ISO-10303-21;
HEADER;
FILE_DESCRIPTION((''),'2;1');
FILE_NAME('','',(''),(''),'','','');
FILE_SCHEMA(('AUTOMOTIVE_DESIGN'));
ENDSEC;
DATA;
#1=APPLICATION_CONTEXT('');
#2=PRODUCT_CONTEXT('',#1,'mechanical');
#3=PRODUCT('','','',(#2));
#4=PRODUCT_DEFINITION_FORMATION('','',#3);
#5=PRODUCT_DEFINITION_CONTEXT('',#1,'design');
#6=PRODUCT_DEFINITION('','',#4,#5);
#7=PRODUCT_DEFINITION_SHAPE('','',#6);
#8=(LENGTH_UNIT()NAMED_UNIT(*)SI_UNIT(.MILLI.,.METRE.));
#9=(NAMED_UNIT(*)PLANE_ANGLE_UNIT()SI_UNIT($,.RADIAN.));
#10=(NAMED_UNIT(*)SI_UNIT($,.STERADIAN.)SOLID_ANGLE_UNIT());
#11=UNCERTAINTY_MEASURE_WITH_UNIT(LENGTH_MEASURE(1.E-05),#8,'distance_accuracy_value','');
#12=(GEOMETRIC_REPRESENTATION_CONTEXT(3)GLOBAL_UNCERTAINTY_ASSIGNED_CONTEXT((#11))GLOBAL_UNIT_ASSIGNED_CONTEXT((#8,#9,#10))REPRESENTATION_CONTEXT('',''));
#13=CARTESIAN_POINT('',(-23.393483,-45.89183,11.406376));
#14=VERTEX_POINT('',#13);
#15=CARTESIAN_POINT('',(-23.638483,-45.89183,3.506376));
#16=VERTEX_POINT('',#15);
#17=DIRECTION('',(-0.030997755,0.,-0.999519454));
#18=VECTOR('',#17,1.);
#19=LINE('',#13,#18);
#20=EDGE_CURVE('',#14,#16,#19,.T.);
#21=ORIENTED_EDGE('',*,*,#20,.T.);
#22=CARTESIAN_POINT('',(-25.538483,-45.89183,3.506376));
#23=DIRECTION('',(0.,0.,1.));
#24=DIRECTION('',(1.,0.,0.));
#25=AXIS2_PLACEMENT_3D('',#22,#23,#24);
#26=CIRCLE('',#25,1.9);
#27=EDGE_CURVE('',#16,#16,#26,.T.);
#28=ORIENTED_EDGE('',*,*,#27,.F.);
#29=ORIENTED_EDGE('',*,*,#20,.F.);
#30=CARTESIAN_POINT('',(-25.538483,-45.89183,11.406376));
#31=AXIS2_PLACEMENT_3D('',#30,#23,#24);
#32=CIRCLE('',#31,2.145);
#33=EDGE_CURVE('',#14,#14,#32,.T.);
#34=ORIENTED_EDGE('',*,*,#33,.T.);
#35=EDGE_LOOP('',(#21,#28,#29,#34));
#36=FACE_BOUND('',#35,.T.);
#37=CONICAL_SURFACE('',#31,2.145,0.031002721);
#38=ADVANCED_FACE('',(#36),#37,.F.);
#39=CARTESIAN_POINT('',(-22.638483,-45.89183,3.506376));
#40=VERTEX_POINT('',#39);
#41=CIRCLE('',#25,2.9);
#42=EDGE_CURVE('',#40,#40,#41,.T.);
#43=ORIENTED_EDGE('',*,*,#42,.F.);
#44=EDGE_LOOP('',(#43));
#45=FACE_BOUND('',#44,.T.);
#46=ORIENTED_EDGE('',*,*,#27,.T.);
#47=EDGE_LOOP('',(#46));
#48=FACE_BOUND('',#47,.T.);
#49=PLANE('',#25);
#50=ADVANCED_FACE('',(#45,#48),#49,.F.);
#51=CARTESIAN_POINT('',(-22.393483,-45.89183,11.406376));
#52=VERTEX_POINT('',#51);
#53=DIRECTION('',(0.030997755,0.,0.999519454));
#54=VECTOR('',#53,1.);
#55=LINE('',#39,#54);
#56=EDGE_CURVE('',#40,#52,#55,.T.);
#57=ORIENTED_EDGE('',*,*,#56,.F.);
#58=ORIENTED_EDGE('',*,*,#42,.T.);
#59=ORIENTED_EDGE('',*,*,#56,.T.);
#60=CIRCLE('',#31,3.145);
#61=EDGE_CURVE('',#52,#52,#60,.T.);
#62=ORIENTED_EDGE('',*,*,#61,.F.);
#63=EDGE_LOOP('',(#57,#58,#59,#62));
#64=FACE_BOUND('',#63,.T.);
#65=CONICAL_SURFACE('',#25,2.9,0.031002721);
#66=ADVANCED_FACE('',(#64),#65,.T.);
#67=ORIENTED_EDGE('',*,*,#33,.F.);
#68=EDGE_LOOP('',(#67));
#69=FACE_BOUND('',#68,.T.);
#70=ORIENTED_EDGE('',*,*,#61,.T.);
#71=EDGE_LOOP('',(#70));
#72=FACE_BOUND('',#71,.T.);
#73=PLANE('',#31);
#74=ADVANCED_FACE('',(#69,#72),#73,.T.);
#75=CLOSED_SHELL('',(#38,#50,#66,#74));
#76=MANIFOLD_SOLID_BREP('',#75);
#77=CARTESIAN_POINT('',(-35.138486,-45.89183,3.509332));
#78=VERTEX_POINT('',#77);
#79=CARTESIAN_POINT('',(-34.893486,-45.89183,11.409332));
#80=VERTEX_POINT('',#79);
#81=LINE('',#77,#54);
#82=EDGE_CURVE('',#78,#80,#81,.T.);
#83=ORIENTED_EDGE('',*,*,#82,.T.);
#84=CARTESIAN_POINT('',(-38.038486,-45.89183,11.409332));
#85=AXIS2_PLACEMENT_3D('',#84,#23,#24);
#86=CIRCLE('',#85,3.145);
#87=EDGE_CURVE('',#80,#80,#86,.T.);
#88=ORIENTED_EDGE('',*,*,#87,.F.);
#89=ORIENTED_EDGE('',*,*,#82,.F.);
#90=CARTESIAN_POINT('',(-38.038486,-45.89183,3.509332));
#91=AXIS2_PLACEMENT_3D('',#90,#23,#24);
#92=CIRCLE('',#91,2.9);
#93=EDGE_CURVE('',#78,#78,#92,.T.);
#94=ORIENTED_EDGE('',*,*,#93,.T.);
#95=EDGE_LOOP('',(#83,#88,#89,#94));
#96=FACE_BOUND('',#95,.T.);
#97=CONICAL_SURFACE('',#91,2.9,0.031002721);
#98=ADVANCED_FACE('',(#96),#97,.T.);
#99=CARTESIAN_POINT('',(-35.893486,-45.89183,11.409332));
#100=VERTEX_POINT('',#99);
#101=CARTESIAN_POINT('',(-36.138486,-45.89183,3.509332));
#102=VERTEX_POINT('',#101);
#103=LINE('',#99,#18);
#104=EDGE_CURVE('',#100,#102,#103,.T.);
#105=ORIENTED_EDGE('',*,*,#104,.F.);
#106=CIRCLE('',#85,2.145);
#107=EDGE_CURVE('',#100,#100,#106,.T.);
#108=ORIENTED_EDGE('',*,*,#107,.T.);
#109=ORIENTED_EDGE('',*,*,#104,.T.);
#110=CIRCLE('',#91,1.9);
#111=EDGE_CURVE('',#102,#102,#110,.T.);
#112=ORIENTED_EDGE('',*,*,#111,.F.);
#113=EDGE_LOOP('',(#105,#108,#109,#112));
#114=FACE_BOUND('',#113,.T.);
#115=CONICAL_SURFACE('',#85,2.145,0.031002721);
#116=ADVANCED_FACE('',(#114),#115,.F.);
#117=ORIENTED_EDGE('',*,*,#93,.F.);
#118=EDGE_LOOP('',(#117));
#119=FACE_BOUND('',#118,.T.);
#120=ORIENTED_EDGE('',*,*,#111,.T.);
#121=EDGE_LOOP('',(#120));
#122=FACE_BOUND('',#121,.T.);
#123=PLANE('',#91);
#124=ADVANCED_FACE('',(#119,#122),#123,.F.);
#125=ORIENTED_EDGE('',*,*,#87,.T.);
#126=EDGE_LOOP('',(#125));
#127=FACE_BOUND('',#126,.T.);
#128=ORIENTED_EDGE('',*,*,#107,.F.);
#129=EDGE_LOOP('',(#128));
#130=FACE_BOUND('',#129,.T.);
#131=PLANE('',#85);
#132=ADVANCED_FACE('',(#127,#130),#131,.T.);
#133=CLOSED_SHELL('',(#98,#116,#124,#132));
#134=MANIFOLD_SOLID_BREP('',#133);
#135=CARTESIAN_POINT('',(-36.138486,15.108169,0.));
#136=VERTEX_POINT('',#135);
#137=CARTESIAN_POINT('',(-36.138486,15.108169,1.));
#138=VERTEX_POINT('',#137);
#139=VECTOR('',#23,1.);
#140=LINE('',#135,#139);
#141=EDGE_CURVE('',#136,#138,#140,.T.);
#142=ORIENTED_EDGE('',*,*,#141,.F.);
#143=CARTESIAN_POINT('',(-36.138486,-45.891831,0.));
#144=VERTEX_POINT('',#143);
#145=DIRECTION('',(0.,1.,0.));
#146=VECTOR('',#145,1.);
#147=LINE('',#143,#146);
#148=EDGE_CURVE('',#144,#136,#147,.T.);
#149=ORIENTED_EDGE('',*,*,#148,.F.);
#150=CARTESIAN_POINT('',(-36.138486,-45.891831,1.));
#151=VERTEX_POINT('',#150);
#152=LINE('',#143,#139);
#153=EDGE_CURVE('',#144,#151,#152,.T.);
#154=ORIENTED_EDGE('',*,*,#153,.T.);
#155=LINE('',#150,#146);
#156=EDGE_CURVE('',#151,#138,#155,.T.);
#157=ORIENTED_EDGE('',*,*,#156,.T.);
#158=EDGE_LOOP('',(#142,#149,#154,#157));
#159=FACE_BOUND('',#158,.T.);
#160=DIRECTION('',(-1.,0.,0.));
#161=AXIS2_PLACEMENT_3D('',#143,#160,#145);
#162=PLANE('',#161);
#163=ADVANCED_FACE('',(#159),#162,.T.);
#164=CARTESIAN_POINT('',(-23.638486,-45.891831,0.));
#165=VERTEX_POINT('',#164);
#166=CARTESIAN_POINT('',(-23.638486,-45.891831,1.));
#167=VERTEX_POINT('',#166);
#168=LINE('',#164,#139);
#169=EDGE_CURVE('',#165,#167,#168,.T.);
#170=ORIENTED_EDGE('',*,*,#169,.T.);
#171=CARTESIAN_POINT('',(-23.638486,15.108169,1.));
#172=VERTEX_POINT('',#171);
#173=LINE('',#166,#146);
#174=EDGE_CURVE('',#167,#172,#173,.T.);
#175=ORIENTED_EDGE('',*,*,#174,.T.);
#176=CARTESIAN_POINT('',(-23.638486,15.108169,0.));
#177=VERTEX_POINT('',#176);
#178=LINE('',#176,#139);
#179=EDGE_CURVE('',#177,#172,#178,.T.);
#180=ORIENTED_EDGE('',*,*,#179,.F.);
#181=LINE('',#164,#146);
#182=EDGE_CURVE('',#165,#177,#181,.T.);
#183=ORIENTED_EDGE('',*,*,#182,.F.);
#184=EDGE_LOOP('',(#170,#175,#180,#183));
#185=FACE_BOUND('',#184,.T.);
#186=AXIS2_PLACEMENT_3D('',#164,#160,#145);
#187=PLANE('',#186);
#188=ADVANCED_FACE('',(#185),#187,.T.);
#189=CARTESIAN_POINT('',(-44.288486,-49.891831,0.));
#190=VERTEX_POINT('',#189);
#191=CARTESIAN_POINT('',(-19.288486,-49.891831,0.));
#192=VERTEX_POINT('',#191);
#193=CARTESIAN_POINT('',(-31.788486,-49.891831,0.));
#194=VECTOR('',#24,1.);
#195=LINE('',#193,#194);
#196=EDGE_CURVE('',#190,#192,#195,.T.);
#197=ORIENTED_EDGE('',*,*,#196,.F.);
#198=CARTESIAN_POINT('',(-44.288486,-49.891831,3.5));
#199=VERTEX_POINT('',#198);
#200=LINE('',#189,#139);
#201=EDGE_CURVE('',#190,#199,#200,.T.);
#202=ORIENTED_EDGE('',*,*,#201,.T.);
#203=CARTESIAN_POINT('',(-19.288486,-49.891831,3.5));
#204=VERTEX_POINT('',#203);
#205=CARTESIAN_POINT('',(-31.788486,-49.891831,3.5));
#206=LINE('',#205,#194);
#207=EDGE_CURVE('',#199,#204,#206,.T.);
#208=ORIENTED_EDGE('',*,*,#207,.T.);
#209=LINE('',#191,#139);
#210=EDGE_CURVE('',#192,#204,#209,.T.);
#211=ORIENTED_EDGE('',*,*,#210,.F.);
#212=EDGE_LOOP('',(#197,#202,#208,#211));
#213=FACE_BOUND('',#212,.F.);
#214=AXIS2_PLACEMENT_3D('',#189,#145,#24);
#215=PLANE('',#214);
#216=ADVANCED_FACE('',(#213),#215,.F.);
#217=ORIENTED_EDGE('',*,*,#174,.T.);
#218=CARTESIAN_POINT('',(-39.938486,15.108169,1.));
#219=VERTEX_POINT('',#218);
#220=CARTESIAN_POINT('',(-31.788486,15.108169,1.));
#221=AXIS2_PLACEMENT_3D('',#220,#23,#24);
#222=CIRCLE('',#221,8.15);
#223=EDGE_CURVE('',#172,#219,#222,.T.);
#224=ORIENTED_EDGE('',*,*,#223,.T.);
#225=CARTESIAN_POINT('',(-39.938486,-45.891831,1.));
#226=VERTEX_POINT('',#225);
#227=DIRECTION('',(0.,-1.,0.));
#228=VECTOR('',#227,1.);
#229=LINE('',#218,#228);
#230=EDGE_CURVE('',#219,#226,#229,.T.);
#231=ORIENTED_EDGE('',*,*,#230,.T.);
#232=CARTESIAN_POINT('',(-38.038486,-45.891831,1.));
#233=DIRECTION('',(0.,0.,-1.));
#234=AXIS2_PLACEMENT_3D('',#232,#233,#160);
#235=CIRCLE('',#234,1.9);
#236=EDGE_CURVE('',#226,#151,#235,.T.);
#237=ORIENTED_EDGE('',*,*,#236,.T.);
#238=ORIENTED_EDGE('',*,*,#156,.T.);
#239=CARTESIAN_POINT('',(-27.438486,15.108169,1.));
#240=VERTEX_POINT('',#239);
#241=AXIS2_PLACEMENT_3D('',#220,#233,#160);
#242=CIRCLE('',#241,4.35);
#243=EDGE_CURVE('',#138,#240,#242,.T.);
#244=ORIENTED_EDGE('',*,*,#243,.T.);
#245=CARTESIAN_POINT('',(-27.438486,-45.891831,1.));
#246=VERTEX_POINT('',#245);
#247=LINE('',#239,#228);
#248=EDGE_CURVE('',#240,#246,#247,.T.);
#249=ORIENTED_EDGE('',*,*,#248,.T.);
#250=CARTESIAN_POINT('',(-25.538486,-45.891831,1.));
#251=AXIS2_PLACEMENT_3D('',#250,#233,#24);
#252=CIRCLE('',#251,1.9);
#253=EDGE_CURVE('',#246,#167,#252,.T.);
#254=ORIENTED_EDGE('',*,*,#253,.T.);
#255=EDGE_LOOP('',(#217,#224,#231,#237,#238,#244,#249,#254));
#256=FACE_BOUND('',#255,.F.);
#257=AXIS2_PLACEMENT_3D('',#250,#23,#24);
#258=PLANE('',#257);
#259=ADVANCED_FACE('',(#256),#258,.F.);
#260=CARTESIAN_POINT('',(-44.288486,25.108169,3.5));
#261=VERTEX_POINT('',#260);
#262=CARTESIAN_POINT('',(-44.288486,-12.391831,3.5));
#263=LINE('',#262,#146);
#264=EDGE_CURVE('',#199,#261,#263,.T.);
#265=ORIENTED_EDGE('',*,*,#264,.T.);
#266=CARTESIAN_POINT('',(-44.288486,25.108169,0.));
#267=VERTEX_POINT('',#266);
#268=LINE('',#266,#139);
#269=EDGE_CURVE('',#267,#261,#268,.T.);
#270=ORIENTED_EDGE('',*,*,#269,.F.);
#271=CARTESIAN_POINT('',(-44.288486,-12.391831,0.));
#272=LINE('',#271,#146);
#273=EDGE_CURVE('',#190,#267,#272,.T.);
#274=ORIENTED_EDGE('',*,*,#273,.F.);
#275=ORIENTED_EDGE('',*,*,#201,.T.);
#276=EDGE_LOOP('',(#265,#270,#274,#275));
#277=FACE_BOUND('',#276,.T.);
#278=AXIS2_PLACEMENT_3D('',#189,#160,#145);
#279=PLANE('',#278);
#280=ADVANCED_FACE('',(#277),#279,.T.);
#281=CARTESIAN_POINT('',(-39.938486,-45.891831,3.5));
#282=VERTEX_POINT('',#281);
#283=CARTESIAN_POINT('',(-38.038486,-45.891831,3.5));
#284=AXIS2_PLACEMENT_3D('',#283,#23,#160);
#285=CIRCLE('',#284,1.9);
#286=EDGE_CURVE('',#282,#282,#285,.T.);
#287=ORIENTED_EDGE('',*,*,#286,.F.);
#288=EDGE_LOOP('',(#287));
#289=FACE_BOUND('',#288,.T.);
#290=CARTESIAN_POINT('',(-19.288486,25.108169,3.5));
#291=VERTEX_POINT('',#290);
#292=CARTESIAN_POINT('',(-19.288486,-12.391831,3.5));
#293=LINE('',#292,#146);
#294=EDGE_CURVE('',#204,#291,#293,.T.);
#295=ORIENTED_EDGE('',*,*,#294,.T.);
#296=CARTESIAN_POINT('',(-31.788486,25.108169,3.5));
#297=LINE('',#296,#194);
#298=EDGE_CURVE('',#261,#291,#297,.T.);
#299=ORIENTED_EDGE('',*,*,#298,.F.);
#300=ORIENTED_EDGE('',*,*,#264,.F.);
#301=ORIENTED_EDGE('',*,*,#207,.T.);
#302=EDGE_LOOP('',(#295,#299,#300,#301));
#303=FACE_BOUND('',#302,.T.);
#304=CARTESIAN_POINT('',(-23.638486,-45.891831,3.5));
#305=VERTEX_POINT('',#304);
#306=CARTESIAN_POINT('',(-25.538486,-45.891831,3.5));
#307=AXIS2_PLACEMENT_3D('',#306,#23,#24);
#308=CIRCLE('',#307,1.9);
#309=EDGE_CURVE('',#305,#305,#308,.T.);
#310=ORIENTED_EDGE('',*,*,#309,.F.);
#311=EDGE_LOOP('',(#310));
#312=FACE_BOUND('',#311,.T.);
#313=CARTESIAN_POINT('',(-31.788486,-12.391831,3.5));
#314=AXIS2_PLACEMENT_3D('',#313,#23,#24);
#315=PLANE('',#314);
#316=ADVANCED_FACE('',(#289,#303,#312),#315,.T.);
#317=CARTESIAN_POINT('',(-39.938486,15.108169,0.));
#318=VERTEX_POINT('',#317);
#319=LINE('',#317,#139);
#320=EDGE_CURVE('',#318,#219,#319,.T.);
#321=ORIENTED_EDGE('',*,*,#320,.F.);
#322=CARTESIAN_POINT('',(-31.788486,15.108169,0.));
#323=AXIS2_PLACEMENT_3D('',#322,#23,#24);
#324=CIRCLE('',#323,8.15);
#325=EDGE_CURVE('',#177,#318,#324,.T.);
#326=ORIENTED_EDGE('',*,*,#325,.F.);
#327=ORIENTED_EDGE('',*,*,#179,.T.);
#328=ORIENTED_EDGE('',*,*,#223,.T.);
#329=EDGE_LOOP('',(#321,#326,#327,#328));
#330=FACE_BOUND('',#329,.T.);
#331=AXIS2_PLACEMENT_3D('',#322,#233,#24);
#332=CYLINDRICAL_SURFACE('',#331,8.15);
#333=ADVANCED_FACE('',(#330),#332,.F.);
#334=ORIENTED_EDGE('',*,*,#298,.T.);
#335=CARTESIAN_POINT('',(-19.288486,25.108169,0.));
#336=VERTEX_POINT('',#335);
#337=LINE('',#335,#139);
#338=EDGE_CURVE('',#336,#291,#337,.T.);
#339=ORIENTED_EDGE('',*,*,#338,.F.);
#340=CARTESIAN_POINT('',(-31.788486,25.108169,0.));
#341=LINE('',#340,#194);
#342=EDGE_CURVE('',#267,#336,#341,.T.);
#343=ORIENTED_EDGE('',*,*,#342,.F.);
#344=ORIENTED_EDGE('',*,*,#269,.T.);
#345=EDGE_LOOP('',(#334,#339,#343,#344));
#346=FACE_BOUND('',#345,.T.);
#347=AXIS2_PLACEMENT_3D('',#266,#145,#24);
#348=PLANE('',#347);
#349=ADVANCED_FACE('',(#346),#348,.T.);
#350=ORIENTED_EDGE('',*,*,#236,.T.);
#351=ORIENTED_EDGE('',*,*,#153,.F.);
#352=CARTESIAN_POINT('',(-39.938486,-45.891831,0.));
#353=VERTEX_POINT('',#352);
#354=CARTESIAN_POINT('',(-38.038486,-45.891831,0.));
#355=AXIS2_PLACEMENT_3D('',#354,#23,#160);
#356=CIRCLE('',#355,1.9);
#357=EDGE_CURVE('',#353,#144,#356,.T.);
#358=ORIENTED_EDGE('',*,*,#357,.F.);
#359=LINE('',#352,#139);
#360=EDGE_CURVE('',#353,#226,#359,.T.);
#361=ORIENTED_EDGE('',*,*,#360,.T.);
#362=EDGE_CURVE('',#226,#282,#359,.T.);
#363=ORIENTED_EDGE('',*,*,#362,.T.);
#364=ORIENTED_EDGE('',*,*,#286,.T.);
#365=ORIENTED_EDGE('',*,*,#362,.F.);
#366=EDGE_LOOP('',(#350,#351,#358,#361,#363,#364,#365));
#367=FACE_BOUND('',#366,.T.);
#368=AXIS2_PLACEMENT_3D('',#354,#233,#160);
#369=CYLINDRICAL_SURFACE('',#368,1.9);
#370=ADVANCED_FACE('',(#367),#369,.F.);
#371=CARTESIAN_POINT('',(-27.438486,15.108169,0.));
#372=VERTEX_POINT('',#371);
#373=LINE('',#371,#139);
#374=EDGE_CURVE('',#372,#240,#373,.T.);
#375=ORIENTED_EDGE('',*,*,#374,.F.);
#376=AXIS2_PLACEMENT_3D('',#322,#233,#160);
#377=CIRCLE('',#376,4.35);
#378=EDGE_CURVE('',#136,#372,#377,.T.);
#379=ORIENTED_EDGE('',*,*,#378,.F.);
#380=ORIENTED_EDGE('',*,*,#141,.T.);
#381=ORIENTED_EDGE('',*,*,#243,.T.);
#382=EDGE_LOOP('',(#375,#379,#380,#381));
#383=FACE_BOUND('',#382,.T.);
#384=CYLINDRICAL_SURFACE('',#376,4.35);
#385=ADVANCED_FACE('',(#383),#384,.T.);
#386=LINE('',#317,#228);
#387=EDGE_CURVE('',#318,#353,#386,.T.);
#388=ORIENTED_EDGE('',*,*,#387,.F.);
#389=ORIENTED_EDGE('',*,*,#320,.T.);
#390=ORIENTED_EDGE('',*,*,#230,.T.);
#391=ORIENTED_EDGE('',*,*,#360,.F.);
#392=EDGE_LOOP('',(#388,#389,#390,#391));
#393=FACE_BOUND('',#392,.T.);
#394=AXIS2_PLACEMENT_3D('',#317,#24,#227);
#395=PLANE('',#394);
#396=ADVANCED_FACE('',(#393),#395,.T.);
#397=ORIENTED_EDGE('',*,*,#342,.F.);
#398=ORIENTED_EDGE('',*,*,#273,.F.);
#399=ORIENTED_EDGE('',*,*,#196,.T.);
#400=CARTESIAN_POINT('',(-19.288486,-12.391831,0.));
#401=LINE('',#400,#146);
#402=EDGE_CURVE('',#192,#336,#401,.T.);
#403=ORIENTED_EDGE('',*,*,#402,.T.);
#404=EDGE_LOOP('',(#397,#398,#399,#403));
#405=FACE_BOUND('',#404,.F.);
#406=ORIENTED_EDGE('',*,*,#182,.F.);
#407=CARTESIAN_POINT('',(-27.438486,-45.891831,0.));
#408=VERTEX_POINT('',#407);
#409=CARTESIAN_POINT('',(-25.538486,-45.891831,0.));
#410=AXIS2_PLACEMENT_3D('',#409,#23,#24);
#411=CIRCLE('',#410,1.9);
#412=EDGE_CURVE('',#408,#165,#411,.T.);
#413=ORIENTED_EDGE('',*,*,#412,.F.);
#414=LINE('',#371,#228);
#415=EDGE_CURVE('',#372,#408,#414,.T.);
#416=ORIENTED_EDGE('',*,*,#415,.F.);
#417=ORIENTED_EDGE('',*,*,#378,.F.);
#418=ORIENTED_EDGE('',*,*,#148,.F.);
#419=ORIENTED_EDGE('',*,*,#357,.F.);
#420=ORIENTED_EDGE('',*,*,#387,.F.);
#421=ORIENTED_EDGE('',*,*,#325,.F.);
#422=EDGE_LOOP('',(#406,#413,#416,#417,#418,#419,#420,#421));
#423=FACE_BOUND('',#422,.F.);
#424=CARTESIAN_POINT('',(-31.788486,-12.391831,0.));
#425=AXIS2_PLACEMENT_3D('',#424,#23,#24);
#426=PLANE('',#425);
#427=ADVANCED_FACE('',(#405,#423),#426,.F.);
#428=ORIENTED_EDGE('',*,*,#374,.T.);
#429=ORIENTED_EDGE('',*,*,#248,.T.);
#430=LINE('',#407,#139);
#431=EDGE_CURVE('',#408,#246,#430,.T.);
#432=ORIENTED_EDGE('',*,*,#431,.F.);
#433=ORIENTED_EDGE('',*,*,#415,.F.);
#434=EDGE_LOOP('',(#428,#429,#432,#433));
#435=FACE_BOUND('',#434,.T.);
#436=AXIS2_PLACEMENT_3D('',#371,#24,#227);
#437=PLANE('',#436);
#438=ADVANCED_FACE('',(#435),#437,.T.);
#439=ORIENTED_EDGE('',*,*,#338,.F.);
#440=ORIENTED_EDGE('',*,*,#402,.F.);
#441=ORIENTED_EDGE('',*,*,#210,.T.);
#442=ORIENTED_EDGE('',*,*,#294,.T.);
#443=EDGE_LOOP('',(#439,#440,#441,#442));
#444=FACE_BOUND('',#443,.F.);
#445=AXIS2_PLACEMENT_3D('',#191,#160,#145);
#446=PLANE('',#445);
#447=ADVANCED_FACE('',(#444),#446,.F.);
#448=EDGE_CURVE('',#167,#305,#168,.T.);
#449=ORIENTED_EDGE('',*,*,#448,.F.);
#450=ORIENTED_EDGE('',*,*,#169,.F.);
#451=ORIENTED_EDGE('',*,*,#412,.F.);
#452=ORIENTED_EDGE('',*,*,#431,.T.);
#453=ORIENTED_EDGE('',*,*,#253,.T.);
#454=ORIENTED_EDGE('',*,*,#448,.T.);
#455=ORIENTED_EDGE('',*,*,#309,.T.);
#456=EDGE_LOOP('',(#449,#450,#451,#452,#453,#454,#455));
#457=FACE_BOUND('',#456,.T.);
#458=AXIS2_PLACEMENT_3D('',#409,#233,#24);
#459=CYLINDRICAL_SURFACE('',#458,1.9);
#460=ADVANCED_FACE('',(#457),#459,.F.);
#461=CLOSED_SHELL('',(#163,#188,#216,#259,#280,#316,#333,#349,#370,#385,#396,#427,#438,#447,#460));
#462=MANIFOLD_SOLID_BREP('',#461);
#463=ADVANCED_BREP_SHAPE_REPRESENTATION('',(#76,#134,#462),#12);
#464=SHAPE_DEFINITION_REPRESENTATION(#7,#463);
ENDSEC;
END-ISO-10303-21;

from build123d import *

# Parameters (mm, degrees)
F0_W     = 25
F0_H     = 75
F3_DEPTH = 3.5
F4_DEPTH = 1
F2_R     = 1.9
F5_DEPTH = 3.5


with BuildPart() as f3:
    # F0 (on Top) → F3 (new body)
    with BuildSketch(Plane.XY):
        with Locations((-31.788486, -12.391831)):
            Rectangle(F0_W, F0_H)
    extrude(amount=F3_DEPTH)

    # F1 (on face) → F4 (cut)
    with BuildSketch(Plane.XY):
        with BuildLine():
            ThreePointArc((-27.438486, -45.891831), (-25.538486, -47.791831), (-23.638486, -45.891831))
            ThreePointArc((-23.638486, -45.891831), (-25.538486, -43.991831), (-27.438486, -45.891831))
        make_face()
        with BuildLine():
            ThreePointArc((-27.438486, -45.891831), (-25.538486, -43.991831), (-23.638486, -45.891831))
            Line((-23.638486, -45.891831), (-23.638486, 15.108169))
            ThreePointArc((-23.638486, 15.108169), (-31.788486, 23.258169), (-39.938486, 15.108169))
            Line((-39.938486, 15.108169), (-39.938486, -45.891831))
            ThreePointArc((-39.938486, -45.891831), (-38.038486, -43.991831), (-36.138486, -45.891831))
            Line((-36.138486, -45.891831), (-36.138486, 15.108169))
            ThreePointArc((-36.138486, 15.108169), (-31.788486, 19.458169), (-27.438486, 15.108169))
            Line((-27.438486, 15.108169), (-27.438486, -45.891831))
        make_face()
        with BuildLine():
            ThreePointArc((-36.138486, -45.891831), (-38.038486, -43.991831), (-39.938486, -45.891831))
            ThreePointArc((-39.938486, -45.891831), (-38.038486, -47.791831), (-36.138486, -45.891831))
        make_face()
    extrude(amount=F4_DEPTH, mode=Mode.SUBTRACT)

    # F2 (on Top) + F1 (on face) → F5 (cut)
    with BuildSketch(Plane.XY):
        with Locations((-25.538486, -45.891831)):
            Circle(F2_R)
    with BuildSketch(Plane.XY):
        with BuildLine():
            ThreePointArc((-36.138486, -45.891831), (-38.038486, -43.991831), (-39.938486, -45.891831))
            ThreePointArc((-39.938486, -45.891831), (-38.038486, -47.791831), (-36.138486, -45.891831))
        make_face()
    extrude(amount=F5_DEPTH, mode=Mode.SUBTRACT)


with BuildPart() as f8:
    # F7 (on offset) → F8 (revolve)
    with BuildSketch(Plane.XZ.offset(45.89183)):
        Polygon((-35.893486, 11.409332), (-36.138486, 3.509332), (-35.138486, 3.509332), (-34.893486, 11.409332), align=None)
    revolve(axis=Axis((-38.038486, -45.89183, 7.459332), (0, 0, 1)))


with BuildPart() as f10:
    # F9 (on offset) → F10 (revolve)
    with BuildSketch(Plane.XZ.offset(45.89183)):
        Polygon((-23.393483, 11.406376), (-23.638483, 3.506376), (-22.638483, 3.506376), (-22.393483, 11.406376), align=None)
    revolve(axis=Axis((-25.538483, -45.89183, 8.424162), (0, 0, 1)))


solid = Compound([f3.part, f8.part, f10.part])
